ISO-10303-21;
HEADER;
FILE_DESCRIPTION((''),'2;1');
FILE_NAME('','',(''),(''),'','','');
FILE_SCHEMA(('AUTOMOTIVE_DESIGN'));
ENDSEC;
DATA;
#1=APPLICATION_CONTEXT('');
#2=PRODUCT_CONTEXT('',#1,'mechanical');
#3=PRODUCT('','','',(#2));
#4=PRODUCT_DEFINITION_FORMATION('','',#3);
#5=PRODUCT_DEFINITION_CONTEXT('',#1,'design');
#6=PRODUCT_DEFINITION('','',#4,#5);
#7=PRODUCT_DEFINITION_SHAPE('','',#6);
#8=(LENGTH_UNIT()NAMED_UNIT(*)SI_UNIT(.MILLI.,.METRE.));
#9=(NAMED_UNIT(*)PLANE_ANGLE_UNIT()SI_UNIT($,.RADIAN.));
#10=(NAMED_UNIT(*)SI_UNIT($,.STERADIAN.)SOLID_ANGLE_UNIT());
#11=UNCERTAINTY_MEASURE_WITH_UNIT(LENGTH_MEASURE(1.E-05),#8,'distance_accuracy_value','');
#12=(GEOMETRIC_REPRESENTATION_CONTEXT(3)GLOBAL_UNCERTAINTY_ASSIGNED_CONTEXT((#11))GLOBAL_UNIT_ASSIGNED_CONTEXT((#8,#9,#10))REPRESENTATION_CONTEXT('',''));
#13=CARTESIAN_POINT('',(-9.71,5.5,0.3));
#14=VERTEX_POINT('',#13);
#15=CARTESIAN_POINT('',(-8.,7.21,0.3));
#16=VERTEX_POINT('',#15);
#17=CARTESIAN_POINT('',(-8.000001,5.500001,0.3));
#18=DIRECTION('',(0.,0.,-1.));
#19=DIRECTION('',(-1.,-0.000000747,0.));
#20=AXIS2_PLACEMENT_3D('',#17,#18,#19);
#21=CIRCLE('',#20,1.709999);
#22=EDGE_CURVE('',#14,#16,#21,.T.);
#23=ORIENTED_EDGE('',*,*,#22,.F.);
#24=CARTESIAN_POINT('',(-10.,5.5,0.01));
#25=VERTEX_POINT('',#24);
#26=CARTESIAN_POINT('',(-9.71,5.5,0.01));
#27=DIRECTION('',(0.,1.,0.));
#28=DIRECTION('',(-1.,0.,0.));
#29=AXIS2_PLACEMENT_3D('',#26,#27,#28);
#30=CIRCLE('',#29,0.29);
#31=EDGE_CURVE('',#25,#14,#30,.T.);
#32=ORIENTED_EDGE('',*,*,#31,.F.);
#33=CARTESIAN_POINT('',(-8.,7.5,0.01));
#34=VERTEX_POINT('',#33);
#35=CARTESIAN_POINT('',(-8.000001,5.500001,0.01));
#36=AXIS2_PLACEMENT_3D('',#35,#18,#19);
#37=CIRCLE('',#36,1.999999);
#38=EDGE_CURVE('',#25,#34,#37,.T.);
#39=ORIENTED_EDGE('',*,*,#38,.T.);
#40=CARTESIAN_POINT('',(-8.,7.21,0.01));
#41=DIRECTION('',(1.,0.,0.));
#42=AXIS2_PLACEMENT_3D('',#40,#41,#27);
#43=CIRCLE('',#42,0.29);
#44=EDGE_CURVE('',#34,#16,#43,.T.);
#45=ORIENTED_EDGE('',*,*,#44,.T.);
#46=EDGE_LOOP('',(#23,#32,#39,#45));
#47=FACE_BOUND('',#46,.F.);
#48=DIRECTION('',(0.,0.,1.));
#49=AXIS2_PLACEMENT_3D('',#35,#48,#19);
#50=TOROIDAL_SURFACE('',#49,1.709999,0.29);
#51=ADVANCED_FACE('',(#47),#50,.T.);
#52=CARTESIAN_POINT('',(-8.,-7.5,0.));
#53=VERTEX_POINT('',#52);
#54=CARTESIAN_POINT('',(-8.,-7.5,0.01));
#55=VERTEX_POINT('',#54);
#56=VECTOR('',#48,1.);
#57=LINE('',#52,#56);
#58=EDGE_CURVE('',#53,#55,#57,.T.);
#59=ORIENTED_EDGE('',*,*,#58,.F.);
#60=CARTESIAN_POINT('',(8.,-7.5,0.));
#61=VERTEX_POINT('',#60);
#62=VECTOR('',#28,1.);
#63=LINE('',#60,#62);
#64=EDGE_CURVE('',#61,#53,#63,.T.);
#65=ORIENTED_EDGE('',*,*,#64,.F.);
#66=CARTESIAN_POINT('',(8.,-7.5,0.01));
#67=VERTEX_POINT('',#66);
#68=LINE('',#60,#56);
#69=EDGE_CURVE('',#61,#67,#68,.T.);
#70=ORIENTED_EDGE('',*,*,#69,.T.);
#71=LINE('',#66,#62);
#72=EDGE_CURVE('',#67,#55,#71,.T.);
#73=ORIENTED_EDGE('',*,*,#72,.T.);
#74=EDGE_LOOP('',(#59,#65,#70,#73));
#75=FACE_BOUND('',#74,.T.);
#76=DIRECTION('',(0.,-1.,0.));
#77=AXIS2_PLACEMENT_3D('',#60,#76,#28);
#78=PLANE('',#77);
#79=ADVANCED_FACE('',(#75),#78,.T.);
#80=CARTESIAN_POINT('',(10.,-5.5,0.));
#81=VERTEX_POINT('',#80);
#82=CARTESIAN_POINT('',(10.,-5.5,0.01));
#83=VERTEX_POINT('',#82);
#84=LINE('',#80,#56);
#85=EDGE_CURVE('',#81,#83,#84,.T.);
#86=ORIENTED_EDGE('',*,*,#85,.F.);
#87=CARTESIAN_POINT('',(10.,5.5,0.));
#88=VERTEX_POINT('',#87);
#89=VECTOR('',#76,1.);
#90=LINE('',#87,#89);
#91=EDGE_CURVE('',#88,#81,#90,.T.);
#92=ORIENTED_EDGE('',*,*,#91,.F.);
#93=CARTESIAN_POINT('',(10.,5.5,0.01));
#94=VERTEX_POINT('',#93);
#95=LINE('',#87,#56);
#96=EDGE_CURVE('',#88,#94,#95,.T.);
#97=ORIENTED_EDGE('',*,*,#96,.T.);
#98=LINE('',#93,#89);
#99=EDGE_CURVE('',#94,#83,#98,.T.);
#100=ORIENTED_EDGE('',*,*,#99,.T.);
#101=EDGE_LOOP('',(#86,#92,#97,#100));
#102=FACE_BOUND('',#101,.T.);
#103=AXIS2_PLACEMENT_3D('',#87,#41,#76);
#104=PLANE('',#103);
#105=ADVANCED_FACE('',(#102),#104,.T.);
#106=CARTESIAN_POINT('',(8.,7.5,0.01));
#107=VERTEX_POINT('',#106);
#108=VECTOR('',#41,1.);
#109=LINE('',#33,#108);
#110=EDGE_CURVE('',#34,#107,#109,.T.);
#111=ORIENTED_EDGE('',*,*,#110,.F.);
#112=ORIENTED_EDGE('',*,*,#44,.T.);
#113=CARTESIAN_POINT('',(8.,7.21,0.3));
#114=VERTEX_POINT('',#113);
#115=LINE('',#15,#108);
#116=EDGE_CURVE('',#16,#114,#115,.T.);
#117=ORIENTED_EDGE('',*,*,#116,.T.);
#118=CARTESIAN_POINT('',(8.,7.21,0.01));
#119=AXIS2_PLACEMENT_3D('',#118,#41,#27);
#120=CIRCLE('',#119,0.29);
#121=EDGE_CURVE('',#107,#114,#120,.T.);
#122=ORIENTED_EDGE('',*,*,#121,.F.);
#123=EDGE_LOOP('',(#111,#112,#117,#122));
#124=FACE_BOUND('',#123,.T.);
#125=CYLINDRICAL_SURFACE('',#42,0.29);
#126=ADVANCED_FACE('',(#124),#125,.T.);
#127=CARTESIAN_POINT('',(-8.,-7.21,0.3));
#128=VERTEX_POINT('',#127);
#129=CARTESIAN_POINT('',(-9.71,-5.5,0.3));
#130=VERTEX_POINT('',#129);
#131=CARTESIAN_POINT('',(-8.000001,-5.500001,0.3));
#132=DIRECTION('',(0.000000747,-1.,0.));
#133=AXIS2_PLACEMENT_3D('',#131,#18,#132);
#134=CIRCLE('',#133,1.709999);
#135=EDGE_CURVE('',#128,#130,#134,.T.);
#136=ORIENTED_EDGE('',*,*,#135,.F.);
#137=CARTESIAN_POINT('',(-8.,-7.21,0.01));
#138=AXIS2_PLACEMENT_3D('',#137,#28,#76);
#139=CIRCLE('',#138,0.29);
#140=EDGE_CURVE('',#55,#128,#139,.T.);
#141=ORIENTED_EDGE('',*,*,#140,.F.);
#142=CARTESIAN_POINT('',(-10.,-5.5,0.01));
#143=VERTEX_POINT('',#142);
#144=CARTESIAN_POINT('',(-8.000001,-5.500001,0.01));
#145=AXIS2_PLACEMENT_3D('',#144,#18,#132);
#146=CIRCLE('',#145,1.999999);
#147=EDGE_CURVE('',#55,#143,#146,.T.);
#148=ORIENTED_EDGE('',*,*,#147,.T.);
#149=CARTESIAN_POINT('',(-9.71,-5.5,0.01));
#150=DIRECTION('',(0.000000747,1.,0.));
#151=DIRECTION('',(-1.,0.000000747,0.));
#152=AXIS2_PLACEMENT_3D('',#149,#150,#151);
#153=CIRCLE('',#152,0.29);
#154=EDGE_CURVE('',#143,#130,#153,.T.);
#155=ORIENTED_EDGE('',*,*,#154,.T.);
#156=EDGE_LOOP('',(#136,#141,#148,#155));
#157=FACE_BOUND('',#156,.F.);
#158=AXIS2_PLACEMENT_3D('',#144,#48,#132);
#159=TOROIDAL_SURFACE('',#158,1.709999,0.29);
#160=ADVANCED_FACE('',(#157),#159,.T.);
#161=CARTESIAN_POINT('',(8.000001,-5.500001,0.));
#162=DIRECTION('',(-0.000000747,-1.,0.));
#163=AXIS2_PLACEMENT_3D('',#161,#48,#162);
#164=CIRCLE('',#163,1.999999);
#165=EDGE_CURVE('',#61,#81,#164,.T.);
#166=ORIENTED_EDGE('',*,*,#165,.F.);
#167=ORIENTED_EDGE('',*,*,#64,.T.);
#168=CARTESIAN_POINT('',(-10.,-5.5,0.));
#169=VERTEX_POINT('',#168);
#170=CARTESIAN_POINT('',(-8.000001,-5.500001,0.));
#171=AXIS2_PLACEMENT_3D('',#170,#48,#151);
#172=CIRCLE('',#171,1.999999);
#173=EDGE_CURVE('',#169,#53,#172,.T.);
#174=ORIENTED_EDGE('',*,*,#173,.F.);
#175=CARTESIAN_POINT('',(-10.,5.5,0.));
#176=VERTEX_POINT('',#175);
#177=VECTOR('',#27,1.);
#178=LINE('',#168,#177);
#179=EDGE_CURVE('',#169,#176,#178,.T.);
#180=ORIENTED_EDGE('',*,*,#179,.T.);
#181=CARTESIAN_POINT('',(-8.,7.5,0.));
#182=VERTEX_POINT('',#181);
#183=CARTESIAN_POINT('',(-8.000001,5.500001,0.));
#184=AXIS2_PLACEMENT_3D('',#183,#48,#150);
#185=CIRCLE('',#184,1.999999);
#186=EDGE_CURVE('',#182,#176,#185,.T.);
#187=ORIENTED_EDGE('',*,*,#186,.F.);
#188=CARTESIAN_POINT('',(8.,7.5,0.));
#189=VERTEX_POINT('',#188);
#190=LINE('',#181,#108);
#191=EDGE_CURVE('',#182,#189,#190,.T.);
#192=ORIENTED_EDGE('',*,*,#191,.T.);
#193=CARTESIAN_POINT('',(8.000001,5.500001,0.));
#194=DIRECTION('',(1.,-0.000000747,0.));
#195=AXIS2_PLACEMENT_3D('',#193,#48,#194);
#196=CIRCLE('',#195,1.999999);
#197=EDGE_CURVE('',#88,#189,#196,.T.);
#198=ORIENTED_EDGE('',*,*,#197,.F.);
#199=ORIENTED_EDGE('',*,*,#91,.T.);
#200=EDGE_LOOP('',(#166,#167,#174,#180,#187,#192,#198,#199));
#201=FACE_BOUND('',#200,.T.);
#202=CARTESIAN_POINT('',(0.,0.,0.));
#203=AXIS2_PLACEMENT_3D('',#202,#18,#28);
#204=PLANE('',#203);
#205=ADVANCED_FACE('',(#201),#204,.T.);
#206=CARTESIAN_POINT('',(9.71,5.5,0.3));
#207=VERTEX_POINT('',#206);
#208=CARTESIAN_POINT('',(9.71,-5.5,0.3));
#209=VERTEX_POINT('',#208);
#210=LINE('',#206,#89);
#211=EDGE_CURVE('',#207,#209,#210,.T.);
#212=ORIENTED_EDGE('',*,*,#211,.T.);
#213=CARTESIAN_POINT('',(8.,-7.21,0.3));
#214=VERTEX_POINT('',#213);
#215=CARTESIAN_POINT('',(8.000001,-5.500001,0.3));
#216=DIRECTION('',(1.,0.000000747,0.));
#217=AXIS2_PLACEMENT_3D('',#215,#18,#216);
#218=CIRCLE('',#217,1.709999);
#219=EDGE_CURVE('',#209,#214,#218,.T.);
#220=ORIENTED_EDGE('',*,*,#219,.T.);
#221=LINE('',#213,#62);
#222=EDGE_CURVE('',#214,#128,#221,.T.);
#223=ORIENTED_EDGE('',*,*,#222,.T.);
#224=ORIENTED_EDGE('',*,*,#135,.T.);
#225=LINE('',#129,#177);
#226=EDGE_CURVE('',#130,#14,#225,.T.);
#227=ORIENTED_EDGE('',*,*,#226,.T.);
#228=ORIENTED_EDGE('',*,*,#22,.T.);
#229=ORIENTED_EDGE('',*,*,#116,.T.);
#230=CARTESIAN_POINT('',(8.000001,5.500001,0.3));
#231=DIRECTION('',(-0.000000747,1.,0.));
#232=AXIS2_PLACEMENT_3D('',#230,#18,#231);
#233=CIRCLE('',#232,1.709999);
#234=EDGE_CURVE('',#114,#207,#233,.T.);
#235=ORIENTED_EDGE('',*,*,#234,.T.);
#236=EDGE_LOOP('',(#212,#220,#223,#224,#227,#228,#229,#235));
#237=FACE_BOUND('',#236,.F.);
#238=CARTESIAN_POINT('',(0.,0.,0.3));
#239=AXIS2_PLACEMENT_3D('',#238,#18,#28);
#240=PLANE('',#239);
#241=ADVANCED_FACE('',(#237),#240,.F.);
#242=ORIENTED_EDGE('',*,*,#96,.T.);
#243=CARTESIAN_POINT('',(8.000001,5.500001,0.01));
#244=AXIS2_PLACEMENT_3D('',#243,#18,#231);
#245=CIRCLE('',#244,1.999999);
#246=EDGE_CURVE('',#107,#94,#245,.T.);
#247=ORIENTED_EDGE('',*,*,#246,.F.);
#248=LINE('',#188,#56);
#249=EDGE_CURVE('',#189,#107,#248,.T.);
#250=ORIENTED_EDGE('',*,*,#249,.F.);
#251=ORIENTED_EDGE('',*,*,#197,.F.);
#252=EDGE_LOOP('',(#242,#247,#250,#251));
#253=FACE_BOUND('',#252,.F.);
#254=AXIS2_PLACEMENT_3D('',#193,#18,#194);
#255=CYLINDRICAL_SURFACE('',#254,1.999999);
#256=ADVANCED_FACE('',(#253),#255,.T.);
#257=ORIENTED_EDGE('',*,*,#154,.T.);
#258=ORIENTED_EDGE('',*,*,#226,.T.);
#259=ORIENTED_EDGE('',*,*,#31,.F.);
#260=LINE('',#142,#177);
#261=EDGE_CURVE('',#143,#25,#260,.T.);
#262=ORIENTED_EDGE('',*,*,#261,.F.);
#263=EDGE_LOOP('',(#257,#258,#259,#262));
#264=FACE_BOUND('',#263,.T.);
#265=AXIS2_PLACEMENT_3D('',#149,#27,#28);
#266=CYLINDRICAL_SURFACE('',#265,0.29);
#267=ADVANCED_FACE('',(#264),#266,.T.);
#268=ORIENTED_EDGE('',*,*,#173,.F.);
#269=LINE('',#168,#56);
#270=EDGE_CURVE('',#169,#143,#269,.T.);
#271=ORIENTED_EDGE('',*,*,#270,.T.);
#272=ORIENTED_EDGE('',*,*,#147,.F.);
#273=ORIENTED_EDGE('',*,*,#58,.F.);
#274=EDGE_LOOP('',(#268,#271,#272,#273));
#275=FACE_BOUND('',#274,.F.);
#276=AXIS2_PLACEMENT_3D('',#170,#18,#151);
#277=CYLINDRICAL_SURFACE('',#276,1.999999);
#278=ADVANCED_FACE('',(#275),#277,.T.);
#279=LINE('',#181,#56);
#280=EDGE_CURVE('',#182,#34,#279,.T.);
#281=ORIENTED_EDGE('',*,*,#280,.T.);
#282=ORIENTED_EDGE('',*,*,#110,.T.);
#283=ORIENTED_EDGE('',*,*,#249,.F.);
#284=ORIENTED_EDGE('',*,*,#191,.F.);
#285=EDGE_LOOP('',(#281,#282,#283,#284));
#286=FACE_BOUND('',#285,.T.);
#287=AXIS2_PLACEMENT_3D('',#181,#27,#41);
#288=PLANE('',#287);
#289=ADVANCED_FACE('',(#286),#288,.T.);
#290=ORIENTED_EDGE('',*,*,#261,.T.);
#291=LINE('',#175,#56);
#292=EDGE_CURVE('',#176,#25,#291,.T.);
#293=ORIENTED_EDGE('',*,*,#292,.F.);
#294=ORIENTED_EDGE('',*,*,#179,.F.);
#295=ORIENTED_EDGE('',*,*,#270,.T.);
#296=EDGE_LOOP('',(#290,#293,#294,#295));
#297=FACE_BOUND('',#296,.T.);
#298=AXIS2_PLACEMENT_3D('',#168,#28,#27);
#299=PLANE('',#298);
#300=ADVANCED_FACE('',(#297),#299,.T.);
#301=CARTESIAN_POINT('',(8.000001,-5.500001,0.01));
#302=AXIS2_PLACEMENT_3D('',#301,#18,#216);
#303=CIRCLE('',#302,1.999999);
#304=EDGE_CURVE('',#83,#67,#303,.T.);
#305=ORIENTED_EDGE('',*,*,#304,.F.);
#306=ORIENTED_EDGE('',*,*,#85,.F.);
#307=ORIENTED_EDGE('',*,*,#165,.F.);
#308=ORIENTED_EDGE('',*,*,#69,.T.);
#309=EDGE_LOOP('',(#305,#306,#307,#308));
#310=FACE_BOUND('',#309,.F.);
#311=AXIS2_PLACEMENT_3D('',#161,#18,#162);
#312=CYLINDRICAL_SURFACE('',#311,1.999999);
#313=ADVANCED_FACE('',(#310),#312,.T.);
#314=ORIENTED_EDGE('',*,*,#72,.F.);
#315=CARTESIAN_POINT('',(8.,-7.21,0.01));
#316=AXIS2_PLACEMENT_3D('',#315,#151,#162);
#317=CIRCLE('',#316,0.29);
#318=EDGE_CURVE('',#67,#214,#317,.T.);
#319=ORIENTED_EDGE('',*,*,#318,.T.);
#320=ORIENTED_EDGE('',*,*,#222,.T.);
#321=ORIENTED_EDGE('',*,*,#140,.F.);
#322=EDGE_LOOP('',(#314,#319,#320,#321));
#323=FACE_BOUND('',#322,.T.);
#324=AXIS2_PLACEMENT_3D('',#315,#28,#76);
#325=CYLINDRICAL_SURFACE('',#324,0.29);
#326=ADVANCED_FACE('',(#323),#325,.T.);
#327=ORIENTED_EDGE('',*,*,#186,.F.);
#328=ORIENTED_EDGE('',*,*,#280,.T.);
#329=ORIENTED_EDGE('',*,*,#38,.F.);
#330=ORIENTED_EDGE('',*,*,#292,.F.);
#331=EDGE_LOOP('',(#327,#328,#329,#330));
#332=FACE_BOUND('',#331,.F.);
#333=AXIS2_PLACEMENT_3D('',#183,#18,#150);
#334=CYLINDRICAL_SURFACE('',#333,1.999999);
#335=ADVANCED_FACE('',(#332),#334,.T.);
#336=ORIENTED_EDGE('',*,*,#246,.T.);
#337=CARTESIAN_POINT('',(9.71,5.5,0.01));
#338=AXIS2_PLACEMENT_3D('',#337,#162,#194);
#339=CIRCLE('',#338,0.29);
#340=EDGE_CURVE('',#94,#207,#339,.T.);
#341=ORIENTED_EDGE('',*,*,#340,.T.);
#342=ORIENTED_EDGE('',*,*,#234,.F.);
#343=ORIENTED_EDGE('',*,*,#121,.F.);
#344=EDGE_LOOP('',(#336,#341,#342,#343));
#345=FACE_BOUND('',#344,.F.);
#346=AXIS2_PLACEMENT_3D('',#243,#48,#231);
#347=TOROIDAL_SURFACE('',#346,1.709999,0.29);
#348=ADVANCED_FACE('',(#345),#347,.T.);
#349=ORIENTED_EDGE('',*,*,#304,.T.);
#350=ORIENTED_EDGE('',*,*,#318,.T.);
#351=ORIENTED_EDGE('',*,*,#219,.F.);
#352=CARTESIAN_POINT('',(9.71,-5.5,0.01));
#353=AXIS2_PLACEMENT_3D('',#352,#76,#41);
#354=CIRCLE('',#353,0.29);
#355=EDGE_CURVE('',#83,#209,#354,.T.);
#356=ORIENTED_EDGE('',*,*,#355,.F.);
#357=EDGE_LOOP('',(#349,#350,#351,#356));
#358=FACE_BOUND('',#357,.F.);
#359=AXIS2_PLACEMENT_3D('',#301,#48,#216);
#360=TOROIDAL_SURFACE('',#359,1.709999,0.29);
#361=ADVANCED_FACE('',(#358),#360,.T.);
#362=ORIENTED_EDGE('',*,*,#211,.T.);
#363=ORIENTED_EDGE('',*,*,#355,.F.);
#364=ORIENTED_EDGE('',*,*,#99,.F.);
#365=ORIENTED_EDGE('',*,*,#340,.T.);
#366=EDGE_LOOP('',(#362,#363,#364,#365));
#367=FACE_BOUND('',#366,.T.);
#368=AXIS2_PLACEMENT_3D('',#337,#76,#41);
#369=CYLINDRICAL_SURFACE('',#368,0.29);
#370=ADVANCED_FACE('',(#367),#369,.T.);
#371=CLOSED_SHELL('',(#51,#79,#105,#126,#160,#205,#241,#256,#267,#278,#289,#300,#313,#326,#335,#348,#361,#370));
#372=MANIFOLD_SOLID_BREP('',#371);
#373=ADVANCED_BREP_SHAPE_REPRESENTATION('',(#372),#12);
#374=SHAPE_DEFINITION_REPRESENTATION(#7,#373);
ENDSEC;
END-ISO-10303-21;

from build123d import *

# Parameters (mm, degrees)
PAD_DEPTH = 0.3
FILLET_R  = 0.29


with BuildPart() as part:
    # Sketch → Pad (new body)
    with BuildSketch(Plane.XY):
        with BuildLine():
            Line((-8, 7.5), (8, 7.5))
            ThreePointArc((10, 5.5), (9.414214, 6.914214), (8, 7.5))
            Line((10, 5.5), (10, -5.5))
            ThreePointArc((8, -7.5), (9.414214, -6.914214), (10, -5.5))
            Line((8, -7.5), (-8, -7.5))
            ThreePointArc((-10, -5.5), (-9.414214, -6.914214), (-8, -7.5))
            Line((-10, -5.5), (-10, 5.5))
            ThreePointArc((-8, 7.5), (-9.414214, 6.914214), (-10, 5.5))
        make_face()
    extrude(amount=PAD_DEPTH)

    # Fillet
    fillet_edges = [part.edges().sort_by_distance(p)[0] for p in [
        (0, 7.5, 0.3),
        (-9.414214, 6.914214, 0.3),
        (-10, 0, 0.3),
        (-9.414214, -6.914214, 0.3),
        (0, -7.5, 0.3),
        (9.414214, -6.914214, 0.3),
        (10, 0, 0.3),
        (9.414214, 6.914214, 0.3),
    ]]
    fillet(fillet_edges, radius=FILLET_R)


solid = part.part
